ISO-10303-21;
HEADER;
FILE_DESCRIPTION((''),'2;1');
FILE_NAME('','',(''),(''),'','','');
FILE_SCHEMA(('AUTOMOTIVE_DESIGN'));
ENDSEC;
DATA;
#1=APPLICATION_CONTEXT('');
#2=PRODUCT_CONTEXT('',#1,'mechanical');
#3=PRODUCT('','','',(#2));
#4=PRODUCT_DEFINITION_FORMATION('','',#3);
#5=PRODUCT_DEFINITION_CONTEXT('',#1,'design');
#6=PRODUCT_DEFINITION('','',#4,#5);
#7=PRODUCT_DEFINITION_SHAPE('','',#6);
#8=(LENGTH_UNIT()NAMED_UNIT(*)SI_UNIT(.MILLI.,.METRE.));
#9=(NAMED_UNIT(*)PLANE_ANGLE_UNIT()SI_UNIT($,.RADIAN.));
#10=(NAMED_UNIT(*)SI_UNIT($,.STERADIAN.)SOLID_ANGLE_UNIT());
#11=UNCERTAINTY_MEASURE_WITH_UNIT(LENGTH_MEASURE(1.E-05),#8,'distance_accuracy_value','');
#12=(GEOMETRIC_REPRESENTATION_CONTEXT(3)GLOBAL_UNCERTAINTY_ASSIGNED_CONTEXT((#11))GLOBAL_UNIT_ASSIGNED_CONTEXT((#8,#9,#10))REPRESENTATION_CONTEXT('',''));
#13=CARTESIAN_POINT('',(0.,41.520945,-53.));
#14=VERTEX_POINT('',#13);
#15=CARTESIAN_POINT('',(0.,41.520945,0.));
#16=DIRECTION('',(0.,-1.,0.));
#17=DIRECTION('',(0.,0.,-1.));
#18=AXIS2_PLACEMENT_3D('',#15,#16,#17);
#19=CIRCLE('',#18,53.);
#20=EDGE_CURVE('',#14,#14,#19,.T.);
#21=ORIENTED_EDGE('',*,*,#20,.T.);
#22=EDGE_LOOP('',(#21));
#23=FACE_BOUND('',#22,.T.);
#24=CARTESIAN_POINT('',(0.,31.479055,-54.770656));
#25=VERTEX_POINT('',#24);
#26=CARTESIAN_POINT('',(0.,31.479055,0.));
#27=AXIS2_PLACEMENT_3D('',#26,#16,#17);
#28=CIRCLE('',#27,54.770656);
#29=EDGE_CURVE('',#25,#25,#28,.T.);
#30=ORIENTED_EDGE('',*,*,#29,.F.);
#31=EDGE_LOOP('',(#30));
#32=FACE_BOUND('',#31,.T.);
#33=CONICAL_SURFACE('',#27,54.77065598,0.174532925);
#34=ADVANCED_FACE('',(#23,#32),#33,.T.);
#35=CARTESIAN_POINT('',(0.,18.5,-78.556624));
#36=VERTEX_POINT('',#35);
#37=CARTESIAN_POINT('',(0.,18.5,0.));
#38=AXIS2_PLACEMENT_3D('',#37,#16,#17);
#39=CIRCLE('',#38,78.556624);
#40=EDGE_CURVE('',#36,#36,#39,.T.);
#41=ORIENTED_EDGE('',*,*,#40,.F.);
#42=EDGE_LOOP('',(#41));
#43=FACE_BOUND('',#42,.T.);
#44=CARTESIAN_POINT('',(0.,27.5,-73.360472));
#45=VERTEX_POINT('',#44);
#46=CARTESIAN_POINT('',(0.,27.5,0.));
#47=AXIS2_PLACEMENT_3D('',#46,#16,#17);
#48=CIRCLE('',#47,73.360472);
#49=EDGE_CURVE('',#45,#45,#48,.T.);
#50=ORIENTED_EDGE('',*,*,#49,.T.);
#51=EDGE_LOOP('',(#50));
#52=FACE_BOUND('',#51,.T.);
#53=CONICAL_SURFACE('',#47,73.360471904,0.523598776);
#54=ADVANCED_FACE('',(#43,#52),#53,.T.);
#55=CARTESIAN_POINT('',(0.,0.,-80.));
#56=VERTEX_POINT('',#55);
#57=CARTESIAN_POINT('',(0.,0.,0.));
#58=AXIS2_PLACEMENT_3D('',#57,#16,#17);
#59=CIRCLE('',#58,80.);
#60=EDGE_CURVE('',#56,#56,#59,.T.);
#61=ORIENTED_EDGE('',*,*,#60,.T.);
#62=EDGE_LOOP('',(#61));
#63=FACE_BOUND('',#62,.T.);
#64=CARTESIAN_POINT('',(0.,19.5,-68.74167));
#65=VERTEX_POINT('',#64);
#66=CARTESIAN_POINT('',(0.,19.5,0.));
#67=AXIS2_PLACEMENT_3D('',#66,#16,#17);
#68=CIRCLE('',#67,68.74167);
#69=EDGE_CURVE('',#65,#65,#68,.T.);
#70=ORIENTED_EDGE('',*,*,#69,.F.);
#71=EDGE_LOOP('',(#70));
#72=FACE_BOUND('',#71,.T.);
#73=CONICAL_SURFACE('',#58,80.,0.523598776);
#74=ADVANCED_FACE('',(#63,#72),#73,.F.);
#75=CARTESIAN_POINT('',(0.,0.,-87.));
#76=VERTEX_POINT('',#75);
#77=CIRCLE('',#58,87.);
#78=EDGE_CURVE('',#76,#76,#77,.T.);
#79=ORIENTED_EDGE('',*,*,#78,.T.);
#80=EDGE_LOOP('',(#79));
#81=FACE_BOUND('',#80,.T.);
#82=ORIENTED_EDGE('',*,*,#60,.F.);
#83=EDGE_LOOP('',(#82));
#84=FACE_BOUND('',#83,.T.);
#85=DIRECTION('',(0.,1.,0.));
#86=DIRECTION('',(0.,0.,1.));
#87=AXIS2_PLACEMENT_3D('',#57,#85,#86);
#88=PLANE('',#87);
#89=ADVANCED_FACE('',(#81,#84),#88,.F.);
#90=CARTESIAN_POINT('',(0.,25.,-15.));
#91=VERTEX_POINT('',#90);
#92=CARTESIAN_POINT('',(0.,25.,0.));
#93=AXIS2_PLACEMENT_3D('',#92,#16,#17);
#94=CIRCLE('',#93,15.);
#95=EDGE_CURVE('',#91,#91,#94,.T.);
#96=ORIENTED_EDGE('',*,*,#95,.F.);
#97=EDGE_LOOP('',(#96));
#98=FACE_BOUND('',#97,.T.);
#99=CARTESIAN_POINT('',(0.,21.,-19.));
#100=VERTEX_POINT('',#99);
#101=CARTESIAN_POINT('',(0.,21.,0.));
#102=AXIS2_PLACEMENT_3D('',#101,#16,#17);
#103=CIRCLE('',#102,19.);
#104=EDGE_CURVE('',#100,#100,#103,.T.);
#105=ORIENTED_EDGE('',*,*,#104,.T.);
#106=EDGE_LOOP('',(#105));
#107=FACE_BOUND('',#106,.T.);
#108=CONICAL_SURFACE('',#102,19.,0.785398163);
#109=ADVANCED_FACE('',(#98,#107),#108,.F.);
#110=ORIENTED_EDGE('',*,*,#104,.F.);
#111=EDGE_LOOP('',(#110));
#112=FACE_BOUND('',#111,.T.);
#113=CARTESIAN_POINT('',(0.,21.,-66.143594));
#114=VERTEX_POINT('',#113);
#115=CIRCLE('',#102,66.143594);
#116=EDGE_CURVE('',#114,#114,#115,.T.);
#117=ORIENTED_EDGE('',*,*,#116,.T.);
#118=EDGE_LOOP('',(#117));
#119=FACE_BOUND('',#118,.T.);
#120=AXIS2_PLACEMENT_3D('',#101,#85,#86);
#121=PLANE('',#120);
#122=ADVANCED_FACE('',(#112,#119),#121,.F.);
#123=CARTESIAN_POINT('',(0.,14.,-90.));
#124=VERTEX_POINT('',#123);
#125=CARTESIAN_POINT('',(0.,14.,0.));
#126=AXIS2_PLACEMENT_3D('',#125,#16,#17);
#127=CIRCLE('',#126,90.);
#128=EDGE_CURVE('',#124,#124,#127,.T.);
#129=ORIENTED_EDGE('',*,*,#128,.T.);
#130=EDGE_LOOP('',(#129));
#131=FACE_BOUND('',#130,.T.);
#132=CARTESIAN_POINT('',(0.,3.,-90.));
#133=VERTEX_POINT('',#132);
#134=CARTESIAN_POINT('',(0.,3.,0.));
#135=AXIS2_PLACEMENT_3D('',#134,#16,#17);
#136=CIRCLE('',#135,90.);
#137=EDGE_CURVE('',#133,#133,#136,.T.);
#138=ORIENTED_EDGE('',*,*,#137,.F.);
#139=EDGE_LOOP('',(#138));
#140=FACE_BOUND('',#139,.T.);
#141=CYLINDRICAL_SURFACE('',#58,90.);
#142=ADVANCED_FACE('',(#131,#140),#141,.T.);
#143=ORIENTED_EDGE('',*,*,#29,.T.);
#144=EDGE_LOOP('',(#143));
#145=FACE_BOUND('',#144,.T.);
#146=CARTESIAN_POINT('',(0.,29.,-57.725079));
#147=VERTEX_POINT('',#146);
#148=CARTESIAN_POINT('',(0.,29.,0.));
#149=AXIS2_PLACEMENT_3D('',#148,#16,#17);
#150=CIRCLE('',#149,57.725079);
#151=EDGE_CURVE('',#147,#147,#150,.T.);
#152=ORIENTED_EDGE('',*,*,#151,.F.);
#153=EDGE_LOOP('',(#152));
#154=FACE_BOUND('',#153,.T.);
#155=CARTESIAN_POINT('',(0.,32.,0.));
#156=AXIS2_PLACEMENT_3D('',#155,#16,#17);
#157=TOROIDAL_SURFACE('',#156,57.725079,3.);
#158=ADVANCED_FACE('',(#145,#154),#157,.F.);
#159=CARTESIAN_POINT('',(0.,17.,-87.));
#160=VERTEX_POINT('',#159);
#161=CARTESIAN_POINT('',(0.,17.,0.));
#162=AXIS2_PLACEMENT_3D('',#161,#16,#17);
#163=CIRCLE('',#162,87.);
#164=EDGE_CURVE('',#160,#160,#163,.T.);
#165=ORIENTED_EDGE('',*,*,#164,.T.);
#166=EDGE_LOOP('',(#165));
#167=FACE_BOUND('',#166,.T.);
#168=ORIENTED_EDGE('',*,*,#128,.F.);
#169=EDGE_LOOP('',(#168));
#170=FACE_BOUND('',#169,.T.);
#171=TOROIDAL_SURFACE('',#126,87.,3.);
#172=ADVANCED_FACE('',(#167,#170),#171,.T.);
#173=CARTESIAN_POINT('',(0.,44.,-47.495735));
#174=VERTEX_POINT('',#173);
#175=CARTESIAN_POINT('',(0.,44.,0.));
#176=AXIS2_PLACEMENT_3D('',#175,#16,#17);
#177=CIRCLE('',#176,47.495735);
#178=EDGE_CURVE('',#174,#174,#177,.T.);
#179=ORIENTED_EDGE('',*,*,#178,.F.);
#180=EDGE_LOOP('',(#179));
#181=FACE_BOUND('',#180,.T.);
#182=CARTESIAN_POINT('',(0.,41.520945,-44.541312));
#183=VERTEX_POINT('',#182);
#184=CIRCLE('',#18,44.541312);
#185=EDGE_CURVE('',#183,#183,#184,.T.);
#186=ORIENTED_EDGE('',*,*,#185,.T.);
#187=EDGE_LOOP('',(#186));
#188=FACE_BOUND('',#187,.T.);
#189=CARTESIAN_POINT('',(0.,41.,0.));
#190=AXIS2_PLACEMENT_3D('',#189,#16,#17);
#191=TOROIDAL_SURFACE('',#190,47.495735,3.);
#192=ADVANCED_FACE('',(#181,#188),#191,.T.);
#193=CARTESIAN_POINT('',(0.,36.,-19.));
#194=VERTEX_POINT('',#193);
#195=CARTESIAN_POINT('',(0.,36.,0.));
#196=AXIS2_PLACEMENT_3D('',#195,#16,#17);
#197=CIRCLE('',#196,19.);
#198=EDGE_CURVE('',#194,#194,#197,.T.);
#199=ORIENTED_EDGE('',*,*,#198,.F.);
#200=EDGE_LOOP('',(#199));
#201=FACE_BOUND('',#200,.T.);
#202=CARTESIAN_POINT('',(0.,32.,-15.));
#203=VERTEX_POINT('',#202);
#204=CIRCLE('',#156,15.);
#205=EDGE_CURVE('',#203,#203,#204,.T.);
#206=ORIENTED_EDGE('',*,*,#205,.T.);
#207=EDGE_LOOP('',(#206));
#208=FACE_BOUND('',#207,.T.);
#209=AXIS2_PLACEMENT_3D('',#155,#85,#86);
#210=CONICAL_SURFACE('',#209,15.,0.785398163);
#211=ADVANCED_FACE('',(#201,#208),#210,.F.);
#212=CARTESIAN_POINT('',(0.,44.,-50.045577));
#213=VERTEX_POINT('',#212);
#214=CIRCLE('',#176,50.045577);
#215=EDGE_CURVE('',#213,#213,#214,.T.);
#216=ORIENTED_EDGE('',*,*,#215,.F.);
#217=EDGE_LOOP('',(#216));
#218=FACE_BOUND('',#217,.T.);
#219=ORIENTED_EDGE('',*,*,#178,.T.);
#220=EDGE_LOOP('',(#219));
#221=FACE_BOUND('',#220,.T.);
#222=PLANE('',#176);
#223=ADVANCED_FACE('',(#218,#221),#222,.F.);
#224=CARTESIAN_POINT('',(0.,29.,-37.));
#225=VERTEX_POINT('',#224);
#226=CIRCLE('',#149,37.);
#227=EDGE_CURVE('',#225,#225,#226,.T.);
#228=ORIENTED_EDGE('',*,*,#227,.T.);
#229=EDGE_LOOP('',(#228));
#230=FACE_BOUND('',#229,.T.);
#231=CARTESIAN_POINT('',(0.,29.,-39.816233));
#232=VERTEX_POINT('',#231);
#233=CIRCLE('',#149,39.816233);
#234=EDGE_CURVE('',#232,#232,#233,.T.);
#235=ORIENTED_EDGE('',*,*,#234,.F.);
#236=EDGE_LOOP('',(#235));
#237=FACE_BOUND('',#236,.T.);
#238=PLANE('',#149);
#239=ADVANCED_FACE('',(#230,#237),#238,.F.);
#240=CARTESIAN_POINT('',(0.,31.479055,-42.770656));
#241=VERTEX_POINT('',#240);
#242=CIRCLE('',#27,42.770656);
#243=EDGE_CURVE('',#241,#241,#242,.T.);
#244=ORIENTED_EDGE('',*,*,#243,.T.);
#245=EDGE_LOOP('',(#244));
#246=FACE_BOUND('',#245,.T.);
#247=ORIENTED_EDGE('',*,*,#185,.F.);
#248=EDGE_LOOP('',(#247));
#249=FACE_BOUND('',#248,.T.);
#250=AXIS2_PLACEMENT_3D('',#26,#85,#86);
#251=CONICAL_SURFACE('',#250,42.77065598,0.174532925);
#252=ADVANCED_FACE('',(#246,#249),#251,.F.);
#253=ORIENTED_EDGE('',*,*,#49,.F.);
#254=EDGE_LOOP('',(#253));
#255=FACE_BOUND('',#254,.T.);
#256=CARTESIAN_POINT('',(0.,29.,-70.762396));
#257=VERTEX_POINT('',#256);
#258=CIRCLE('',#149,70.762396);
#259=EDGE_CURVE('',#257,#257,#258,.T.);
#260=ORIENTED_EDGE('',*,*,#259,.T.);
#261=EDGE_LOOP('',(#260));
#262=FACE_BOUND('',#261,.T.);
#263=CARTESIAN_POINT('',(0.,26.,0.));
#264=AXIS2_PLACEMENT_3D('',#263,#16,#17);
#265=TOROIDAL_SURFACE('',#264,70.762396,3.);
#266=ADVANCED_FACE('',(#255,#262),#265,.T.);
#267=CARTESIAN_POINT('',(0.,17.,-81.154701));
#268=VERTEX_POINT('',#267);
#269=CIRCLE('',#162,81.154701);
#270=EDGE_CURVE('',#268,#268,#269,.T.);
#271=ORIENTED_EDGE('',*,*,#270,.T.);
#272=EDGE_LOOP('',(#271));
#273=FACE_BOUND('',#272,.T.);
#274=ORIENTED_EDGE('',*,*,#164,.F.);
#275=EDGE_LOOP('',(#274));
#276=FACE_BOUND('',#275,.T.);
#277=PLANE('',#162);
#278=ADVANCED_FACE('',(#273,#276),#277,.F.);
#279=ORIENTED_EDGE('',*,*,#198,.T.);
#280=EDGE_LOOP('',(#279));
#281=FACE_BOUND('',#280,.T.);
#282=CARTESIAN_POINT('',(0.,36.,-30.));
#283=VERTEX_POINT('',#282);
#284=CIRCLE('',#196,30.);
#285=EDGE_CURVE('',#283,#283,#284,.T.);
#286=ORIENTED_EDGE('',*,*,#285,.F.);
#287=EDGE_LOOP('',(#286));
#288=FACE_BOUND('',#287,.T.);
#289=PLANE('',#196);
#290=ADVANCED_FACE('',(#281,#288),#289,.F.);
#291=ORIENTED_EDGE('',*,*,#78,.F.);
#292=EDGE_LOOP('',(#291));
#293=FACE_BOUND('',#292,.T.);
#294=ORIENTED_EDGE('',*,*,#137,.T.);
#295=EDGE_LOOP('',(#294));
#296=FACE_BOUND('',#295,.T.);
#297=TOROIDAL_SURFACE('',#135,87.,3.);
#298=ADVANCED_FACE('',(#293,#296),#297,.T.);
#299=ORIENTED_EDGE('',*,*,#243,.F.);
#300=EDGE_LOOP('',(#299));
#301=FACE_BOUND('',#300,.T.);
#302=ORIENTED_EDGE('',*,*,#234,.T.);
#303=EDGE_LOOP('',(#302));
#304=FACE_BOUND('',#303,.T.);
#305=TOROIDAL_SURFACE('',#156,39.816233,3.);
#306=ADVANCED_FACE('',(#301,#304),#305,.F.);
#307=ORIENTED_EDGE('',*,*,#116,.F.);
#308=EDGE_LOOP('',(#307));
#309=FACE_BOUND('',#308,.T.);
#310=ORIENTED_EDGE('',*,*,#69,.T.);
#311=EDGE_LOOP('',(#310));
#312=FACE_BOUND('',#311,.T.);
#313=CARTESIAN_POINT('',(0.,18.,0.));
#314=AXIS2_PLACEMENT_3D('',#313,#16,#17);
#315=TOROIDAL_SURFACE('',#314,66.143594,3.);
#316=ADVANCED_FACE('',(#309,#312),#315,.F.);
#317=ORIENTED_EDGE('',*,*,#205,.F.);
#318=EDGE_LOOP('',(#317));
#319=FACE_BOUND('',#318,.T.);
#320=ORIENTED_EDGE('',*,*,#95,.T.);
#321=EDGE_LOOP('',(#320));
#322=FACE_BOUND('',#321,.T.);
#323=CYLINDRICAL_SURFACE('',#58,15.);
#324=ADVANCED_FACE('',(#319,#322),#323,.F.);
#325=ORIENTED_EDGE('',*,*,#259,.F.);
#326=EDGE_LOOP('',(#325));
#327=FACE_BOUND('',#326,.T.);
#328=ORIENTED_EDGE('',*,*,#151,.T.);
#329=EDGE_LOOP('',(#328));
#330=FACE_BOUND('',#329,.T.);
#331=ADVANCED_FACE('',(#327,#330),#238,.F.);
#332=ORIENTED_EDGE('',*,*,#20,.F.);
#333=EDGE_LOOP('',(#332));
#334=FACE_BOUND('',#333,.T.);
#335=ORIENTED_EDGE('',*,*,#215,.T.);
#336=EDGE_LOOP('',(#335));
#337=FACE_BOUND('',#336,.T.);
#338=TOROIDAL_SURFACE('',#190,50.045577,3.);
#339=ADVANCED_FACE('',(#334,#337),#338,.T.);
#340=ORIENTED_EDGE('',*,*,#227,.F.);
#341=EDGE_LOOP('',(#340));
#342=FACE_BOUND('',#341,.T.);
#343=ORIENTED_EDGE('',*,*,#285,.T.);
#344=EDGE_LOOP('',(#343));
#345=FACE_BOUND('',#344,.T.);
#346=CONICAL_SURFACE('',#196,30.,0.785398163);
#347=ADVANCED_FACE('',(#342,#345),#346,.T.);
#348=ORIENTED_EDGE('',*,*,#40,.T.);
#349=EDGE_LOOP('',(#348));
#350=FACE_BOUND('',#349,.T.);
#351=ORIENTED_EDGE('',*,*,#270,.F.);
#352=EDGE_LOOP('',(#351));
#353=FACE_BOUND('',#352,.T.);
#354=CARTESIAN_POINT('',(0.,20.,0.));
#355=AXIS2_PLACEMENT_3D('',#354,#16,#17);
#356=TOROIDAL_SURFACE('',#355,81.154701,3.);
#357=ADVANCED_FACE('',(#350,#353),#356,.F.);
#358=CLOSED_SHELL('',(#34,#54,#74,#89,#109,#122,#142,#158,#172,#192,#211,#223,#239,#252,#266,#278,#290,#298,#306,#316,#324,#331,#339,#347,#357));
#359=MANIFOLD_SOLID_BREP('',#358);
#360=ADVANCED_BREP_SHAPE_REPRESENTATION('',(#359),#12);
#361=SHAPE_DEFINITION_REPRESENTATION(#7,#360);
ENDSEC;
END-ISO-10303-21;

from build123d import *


with BuildPart() as part:
    # 草图1 → 旋转1 (revolve)
    with BuildSketch(Plane.XY, mode=Mode.PRIVATE) as revolve_1_sk:
        with BuildLine():
            ThreePointArc((90, 3), (89.121320344, 0.878679656), (87, 0))
            Line((87, 0), (80, 0))
            Line((80, 0), (68.741669751, 19.5))
            ThreePointArc((68.741669751, 19.5), (67.643593539, 20.598076211), (66.143593539, 21))
            Line((66.143593539, 21), (19, 21))
            Line((19, 21), (15, 25))
            Line((15, 25), (15, 32))
            Line((15, 32), (19, 36))
            Line((19, 36), (30, 36))
            Line((30, 36), (37, 29))
            Line((37, 29), (39.816232721, 29))
            ThreePointArc((39.816232721, 29), (41.74459555, 29.701866671), (42.77065598, 31.479055467))
            Line((42.77065598, 31.479055467), (44.541311959, 41.520944533))
            ThreePointArc((44.541311959, 41.520944533), (45.567372389, 43.298133329), (47.495735218, 44))
            Line((47.495735218, 44), (50.045576741, 44))
            ThreePointArc((50.045576741, 44), (51.97393957, 43.298133329), (53, 41.520944533))
            Line((53, 41.520944533), (54.77065598, 31.479055467))
            ThreePointArc((54.77065598, 31.479055467), (55.79671641, 29.701866671), (57.725079239, 29))
            Line((57.725079239, 29), (70.762395693, 29))
            ThreePointArc((70.762395693, 29), (72.262395693, 28.598076211), (73.360471904, 27.5))
            Line((73.360471904, 27.5), (78.556624327, 18.5))
            ThreePointArc((78.556624327, 18.5), (79.654700538, 17.401923789), (81.154700538, 17))
            Line((81.154700538, 17), (87, 17))
            ThreePointArc((87, 17), (89.121320344, 16.121320344), (90, 14))
            Line((90, 14), (90, 3))
        make_face()
    revolve(revolve_1_sk.sketch.rotate(Axis((0, 0, 0), (0, 1, 0)), 90), axis=Axis((0, 0, 0), (0, 1, 0)))


solid = part.part
